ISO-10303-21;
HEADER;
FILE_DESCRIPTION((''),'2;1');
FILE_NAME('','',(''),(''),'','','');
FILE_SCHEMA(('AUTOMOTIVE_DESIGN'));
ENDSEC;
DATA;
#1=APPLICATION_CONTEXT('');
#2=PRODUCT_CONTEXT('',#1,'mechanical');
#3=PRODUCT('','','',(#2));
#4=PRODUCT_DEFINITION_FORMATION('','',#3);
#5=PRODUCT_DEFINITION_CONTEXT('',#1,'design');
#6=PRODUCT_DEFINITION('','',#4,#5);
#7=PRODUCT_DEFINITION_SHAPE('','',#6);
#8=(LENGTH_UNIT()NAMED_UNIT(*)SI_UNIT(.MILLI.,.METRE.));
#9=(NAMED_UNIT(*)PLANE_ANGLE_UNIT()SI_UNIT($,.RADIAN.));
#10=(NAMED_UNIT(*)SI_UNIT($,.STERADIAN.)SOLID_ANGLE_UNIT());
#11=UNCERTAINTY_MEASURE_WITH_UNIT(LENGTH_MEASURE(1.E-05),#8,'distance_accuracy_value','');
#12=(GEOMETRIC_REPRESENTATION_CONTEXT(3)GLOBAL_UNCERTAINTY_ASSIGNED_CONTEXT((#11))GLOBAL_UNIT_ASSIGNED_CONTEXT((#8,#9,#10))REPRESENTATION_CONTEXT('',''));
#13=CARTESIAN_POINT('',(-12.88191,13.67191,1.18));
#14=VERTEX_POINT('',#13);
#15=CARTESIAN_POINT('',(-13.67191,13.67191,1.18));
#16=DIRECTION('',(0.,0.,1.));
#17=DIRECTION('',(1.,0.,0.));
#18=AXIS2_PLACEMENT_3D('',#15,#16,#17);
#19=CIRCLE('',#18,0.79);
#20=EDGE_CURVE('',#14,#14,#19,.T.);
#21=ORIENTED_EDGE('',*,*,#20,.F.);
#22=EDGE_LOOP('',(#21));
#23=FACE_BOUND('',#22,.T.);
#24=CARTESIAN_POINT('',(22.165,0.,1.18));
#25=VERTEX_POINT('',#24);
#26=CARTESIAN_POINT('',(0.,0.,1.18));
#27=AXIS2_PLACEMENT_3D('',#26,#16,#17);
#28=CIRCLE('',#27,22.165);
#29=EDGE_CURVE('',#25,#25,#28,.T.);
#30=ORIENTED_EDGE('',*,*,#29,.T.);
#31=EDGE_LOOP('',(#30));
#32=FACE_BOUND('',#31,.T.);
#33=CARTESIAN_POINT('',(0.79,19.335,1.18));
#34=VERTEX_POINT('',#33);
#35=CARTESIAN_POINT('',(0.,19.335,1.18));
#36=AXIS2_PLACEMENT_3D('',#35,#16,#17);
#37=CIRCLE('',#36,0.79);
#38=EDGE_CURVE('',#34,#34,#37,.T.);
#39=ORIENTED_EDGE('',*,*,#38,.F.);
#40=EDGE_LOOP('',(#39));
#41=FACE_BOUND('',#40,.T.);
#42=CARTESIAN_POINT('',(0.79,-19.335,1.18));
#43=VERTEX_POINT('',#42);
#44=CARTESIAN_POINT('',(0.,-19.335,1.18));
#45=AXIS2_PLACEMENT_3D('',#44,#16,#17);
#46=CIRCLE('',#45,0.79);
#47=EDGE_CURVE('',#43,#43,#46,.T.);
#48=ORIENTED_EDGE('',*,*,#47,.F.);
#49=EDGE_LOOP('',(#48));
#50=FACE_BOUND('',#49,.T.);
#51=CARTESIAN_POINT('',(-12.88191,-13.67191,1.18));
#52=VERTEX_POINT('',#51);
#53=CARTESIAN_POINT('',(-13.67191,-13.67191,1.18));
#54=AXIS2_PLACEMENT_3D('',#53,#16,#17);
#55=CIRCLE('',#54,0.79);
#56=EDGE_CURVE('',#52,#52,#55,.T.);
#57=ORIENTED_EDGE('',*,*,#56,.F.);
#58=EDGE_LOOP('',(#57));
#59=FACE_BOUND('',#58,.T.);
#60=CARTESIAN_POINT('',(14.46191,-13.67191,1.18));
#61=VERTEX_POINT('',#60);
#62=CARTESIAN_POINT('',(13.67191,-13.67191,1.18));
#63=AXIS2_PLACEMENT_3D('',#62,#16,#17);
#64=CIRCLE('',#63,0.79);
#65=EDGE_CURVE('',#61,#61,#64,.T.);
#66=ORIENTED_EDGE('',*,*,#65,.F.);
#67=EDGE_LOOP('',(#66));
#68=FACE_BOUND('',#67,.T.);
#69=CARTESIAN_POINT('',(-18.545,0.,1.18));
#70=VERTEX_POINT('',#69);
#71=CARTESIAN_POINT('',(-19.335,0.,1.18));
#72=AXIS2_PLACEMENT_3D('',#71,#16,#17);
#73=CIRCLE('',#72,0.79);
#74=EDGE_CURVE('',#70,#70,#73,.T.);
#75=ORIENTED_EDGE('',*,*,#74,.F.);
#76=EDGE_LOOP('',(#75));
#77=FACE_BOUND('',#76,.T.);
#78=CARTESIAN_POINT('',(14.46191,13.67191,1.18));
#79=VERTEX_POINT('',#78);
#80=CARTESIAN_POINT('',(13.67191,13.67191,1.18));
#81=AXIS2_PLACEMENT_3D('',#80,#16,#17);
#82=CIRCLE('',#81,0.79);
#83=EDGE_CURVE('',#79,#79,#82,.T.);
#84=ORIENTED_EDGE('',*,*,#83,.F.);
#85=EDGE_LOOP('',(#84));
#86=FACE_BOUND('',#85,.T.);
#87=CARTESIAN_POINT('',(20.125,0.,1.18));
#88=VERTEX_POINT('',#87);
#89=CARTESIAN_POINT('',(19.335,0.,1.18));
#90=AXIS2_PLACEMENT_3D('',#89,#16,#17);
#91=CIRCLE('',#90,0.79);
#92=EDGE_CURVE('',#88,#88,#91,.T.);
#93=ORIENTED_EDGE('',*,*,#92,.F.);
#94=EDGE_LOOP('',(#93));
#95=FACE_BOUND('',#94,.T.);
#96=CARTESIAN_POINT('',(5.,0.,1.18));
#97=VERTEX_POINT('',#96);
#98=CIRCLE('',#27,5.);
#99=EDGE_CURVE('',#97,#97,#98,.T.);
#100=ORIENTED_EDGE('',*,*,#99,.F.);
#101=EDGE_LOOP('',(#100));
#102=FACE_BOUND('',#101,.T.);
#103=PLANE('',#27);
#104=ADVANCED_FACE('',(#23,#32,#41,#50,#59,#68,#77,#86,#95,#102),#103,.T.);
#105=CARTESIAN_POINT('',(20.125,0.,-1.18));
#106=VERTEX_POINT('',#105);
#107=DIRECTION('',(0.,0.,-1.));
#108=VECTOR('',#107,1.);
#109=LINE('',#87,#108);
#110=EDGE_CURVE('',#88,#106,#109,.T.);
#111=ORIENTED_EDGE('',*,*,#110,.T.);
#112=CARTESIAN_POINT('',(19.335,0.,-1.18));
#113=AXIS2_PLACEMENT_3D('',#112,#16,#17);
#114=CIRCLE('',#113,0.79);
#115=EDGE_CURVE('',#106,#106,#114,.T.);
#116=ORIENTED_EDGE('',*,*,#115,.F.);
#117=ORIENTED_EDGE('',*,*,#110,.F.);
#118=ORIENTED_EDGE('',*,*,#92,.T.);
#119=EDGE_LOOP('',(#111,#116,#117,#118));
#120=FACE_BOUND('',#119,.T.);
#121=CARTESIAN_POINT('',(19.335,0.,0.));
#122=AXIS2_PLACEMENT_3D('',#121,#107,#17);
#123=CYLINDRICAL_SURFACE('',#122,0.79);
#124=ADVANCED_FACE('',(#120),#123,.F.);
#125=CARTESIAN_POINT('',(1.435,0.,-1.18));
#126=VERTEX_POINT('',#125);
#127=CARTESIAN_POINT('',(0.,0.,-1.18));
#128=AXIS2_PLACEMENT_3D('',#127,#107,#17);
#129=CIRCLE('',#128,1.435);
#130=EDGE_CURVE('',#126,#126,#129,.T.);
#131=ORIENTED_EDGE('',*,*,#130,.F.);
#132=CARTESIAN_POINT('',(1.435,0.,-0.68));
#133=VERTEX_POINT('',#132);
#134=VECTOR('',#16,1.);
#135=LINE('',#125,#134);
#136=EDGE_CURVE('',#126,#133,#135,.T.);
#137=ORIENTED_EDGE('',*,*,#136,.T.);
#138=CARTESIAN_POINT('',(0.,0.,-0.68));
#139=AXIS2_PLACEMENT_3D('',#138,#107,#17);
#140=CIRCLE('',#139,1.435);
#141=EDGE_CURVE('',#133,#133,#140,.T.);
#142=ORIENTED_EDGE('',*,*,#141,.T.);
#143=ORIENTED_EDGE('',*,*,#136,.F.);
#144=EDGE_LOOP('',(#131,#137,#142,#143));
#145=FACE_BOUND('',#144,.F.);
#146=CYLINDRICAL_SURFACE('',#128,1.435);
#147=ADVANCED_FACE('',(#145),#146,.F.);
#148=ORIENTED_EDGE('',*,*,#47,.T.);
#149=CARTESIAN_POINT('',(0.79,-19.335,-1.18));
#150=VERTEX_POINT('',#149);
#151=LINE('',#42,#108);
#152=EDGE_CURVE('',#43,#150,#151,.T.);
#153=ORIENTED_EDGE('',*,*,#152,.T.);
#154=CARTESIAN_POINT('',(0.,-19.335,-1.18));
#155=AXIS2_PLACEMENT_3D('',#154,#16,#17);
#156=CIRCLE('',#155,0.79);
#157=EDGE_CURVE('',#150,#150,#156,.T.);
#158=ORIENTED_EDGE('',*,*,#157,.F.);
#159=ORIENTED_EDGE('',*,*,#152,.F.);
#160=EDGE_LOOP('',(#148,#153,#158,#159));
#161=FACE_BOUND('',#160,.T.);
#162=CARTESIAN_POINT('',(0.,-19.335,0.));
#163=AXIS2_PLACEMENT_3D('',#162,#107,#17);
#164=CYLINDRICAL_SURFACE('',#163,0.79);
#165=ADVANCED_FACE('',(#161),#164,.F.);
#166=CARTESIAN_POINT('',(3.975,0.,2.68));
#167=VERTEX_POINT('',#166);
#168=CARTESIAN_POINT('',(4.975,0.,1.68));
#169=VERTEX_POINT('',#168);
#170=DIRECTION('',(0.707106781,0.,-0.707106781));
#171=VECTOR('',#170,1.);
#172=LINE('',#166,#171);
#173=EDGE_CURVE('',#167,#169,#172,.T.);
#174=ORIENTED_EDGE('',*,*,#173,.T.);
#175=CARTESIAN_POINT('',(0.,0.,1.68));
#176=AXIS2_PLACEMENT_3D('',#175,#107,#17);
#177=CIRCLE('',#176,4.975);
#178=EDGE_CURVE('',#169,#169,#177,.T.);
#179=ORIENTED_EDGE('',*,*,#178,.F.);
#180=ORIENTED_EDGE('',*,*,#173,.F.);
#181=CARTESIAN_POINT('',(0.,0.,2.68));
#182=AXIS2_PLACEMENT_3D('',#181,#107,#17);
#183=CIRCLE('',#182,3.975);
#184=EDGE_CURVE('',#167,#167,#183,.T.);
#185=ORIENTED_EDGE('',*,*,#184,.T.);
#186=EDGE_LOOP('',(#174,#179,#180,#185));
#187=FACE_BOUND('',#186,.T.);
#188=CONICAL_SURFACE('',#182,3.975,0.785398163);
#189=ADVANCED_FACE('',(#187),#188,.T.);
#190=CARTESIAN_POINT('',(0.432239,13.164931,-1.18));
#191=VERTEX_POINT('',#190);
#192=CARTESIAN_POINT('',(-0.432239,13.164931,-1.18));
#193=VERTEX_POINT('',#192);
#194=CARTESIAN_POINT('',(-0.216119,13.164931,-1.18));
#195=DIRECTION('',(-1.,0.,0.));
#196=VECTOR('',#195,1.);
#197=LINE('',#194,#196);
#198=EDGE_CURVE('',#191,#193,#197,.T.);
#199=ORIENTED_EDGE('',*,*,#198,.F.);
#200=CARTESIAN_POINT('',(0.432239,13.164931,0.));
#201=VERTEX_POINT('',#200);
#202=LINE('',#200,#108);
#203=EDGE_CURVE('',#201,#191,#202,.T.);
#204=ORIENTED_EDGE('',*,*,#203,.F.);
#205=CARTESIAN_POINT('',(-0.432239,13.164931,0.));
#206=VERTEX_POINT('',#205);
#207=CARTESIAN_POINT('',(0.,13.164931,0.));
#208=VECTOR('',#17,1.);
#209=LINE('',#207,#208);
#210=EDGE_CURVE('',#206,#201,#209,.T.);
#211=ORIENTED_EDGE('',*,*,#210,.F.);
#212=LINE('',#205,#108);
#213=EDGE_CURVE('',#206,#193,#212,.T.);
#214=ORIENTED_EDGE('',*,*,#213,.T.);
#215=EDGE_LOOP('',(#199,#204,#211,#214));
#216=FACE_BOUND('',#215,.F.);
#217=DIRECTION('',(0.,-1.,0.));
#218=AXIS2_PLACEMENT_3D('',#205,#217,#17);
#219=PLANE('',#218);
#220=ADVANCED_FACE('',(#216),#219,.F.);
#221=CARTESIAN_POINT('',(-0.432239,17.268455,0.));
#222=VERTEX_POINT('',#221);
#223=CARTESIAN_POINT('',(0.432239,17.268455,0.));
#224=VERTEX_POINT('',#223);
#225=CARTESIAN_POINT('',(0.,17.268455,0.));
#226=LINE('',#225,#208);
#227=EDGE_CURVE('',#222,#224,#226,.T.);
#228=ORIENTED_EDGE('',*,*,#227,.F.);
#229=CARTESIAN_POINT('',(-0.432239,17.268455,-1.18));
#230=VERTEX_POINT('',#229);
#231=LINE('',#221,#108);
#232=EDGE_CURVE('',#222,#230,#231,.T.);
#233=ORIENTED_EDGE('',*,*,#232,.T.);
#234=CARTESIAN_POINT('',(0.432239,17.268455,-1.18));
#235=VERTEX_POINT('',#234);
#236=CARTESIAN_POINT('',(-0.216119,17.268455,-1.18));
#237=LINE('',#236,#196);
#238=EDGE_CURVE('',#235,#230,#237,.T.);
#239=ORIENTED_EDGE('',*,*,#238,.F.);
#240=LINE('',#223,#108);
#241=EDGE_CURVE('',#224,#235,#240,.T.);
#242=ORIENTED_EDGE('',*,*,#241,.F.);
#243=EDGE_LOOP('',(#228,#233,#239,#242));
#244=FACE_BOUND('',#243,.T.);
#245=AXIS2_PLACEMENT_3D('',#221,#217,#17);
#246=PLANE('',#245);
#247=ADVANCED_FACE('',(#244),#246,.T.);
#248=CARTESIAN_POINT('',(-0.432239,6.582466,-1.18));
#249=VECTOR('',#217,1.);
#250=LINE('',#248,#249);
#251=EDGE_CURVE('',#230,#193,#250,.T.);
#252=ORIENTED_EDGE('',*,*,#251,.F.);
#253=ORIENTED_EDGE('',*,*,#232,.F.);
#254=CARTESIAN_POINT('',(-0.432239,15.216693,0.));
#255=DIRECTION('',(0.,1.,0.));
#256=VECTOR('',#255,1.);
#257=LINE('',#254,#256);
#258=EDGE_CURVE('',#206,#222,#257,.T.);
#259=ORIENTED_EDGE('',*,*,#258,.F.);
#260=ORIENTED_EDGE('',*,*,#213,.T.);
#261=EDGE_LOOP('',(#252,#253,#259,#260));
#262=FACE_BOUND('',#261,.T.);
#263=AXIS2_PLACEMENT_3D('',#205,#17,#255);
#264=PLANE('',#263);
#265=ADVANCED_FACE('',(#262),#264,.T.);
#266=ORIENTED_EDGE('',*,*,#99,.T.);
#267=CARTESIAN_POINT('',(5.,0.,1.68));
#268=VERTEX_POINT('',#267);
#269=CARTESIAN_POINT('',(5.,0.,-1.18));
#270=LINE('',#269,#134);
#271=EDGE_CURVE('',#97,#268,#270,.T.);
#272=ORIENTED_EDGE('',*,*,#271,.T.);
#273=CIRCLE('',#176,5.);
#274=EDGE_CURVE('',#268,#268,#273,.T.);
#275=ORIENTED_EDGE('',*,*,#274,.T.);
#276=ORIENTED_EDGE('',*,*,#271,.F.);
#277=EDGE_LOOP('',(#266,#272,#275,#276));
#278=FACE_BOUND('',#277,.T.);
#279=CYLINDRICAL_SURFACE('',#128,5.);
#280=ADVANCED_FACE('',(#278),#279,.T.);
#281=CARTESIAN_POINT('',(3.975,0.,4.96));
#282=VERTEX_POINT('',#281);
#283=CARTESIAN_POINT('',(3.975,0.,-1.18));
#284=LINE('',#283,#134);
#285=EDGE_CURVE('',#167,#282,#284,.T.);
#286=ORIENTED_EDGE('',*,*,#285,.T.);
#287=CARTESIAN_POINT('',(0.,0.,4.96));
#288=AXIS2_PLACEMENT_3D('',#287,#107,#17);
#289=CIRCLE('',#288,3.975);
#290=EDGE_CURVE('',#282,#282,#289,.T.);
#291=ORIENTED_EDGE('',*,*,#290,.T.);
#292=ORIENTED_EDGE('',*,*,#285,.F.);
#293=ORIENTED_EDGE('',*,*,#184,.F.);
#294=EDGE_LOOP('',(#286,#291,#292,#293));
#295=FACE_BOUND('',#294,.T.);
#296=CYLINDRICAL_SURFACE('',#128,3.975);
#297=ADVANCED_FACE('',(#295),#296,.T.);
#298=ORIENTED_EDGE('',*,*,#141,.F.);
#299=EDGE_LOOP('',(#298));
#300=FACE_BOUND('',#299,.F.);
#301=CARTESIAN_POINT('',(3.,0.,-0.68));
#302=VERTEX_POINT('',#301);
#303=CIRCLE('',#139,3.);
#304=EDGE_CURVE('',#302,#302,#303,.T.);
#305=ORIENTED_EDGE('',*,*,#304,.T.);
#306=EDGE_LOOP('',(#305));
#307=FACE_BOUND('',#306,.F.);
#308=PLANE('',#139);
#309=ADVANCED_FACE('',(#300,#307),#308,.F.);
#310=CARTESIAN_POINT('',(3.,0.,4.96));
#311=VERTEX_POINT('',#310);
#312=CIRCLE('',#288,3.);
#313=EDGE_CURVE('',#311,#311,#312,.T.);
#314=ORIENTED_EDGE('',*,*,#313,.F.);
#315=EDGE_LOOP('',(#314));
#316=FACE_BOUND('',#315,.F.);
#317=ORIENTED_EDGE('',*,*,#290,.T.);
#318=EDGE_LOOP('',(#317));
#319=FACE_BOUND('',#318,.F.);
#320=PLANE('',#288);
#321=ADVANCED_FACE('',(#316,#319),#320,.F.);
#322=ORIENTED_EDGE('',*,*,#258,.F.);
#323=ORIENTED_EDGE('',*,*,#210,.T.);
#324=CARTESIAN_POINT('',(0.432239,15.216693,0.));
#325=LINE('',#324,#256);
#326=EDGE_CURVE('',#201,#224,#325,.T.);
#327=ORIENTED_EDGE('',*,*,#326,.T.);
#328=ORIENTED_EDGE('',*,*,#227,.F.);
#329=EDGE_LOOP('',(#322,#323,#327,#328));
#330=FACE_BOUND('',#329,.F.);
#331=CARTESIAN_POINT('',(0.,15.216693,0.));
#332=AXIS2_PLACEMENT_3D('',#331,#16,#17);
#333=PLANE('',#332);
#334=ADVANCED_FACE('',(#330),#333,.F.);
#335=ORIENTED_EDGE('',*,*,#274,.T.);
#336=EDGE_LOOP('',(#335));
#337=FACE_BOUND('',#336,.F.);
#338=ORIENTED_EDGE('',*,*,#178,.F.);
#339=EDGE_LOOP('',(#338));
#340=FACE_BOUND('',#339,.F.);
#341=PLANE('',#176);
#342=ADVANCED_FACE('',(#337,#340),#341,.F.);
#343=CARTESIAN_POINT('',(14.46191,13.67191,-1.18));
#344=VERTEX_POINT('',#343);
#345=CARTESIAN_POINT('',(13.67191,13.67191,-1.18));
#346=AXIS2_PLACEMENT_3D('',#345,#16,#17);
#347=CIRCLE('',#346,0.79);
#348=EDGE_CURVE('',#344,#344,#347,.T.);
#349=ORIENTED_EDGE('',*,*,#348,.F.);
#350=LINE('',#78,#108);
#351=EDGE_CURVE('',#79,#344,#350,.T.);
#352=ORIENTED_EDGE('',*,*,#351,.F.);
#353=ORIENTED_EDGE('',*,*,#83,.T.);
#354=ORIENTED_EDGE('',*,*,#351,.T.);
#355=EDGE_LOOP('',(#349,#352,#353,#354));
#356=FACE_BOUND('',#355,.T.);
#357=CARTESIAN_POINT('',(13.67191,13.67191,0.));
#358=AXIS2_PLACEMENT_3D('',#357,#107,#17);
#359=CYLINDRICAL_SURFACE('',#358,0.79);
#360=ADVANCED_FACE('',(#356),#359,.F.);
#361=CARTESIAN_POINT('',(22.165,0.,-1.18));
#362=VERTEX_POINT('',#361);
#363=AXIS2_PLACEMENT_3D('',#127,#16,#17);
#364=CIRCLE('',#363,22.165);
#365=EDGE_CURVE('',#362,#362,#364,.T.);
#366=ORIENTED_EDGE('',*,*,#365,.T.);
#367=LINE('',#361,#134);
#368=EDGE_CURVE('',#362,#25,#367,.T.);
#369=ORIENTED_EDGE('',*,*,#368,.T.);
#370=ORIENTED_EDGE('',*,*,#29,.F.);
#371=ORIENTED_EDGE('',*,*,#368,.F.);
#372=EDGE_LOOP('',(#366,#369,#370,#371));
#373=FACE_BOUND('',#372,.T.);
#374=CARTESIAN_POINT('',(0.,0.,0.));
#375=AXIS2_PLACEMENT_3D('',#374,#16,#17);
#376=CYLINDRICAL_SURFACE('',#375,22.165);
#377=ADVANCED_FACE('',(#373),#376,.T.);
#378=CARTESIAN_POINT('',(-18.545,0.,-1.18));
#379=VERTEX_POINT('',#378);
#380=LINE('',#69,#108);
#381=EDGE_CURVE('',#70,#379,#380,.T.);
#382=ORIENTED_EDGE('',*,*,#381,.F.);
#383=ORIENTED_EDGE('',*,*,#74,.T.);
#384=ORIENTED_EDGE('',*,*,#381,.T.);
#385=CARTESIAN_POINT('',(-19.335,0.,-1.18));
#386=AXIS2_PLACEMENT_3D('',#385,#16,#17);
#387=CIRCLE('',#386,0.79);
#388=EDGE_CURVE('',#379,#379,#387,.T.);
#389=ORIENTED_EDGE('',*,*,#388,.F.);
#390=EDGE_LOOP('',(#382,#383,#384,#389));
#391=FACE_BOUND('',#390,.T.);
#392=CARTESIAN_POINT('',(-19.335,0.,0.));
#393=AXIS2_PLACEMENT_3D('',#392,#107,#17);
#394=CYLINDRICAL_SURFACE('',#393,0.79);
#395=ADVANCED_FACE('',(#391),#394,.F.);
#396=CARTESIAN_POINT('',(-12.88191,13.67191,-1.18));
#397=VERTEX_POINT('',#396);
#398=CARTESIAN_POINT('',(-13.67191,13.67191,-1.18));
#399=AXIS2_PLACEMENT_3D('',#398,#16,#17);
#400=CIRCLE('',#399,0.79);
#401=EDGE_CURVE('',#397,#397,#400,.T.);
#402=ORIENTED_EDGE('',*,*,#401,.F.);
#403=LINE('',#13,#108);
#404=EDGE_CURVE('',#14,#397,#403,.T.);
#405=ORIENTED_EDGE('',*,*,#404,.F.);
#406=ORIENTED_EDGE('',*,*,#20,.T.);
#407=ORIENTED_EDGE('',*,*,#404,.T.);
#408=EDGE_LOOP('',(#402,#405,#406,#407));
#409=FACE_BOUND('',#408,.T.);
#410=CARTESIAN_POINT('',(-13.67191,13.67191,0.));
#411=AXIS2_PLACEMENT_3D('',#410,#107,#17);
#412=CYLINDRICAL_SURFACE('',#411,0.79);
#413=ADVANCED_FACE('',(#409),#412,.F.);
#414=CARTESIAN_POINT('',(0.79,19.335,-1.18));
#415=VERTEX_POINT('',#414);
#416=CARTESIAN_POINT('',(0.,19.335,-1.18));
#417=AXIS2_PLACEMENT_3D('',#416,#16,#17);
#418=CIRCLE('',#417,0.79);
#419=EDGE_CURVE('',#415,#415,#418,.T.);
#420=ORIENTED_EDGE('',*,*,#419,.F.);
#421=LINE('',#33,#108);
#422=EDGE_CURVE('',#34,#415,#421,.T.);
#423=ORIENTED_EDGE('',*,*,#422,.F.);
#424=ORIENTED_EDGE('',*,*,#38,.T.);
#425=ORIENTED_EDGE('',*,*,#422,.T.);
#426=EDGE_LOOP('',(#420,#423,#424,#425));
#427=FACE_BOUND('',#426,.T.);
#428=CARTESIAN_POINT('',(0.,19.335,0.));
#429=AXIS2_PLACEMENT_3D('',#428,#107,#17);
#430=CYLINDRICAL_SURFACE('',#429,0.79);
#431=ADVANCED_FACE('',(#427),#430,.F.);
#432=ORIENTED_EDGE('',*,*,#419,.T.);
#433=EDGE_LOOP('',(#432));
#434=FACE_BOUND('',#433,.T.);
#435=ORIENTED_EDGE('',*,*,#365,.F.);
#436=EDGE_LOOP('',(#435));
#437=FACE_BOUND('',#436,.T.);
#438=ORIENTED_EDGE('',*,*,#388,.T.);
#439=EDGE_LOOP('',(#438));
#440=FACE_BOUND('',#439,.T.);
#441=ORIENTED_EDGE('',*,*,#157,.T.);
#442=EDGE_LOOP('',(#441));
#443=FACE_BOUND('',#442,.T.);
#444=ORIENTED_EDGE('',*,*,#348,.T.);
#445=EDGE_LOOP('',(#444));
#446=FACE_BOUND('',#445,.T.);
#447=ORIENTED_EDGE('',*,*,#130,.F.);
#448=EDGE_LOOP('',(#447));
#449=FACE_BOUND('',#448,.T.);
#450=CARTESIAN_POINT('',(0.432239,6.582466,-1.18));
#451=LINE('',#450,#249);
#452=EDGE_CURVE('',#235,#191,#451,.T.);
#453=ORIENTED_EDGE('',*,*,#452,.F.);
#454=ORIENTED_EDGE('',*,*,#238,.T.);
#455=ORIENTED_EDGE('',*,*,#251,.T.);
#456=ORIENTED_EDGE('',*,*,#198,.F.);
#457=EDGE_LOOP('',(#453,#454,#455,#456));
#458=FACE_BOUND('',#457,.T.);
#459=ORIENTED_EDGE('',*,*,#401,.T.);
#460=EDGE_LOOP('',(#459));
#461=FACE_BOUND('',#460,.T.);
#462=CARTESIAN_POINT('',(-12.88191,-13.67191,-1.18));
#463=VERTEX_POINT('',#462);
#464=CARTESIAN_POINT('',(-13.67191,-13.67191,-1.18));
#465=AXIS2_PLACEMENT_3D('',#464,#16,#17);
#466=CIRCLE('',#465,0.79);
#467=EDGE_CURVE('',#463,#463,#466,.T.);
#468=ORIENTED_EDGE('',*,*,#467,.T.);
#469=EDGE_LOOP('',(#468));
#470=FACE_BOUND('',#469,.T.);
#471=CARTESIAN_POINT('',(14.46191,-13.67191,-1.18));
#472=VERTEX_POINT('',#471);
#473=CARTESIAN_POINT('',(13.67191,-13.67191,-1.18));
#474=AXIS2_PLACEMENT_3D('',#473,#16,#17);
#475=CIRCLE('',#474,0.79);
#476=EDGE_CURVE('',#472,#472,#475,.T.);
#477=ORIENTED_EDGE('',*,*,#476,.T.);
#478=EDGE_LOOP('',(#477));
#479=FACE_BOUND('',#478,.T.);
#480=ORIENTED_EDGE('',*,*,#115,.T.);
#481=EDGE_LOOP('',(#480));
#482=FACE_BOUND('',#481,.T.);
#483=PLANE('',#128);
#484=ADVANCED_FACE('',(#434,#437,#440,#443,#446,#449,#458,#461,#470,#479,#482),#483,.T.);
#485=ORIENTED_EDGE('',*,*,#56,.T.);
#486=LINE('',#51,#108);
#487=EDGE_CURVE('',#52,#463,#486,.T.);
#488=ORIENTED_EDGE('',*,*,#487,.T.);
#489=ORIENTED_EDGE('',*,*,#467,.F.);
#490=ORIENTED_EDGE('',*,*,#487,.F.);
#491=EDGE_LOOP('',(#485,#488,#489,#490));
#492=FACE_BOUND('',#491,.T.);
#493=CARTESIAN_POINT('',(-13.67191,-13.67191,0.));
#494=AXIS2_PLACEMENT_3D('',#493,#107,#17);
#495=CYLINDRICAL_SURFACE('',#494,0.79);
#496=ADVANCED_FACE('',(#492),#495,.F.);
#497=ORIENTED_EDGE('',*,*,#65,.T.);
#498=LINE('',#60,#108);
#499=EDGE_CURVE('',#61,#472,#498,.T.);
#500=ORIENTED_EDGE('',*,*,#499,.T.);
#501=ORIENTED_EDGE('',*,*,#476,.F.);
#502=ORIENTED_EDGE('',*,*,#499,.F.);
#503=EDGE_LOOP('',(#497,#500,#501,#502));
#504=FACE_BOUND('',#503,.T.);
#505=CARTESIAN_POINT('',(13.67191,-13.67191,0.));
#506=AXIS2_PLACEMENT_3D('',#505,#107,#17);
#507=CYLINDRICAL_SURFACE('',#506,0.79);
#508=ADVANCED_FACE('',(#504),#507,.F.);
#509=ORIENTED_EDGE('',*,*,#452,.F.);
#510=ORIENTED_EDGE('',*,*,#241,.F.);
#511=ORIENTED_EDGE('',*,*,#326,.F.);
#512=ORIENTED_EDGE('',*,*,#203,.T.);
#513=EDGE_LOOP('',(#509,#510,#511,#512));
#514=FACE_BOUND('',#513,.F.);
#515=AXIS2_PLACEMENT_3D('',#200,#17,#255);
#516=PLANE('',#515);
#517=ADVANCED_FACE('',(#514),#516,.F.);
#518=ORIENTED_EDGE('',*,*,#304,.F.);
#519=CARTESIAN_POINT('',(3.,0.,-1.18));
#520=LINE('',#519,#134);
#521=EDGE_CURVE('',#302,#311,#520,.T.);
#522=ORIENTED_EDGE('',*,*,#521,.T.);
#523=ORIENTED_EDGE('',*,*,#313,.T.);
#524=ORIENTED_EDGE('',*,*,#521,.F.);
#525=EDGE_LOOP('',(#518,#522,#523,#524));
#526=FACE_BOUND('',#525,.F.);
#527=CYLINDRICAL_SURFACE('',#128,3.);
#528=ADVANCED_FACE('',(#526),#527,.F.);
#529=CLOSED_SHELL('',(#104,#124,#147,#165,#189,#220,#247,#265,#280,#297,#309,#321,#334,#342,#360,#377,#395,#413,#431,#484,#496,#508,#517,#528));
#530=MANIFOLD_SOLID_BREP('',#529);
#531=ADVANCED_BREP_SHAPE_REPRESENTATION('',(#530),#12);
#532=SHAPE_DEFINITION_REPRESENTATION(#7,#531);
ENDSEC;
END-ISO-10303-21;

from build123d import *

# Parameters (mm, degrees)
F0_R     = 22.165
F0_R_2   = 0.79
F0_R_3   = 5
F0_W     = 0.864478
F0_H     = 4.103523
F1_DEPTH = 1.18
F2_R     = 5
F2_R_2   = 3.975
F3_DEPTH = 2.86
F2_R_3   = 3
F4_DEPTH = 6.14
F2_R_4   = 1.435
F5_DEPTH = 0.5
F6_SIZE  = 1
F7_DEPTH = 25


with BuildPart() as f1:
    # F0 (on Top) → F1 (new body, symmetric)
    with BuildSketch(Plane.XY):
        Circle(F0_R)
        with Locations((-13.67191, -13.67191)):
            Circle(F0_R_2, mode=Mode.SUBTRACT)
        with Locations((0, -19.335)):
            Circle(F0_R_2, mode=Mode.SUBTRACT)
        with Locations((13.67191, -13.67191)):
            Circle(F0_R_2, mode=Mode.SUBTRACT)
        with Locations((-19.335, 0)):
            Circle(F0_R_2, mode=Mode.SUBTRACT)
        with Locations((-13.67191, 13.67191)):
            Circle(F0_R_2, mode=Mode.SUBTRACT)
        Circle(F0_R_3, mode=Mode.SUBTRACT)
        with Locations((19.335, 0)):
            Circle(F0_R_2, mode=Mode.SUBTRACT)
        with Locations((0, 15.216693)):
            Rectangle(F0_W, F0_H, mode=Mode.SUBTRACT)
        with Locations((0, 19.335)):
            Circle(F0_R_2, mode=Mode.SUBTRACT)
        with Locations((13.67191, 13.67191)):
            Circle(F0_R_2, mode=Mode.SUBTRACT)
        with Locations((0, 15.216693)):
            Rectangle(F0_W, F0_H)
    extrude(amount=F1_DEPTH, both=True)

    # F2 (on face) → F3 (join)
    with BuildSketch(Plane(origin=(0, 0, -1.18), x_dir=(1, 0, 0), z_dir=(0, 0, -1))):
        Circle(F2_R)
        Circle(F2_R_2, mode=Mode.SUBTRACT)
    extrude(amount=-F3_DEPTH)

    # F2 (on face) → F4 (join)
    with BuildSketch(Plane(origin=(0, 0, -1.18), x_dir=(1, 0, 0), z_dir=(0, 0, -1))):
        Circle(F2_R_2)
        Circle(F2_R_3, mode=Mode.SUBTRACT)
    extrude(amount=-F4_DEPTH)

    # F2 (on face) → F5 (join)
    with BuildSketch(Plane(origin=(0, 0, -1.18), x_dir=(1, 0, 0), z_dir=(0, 0, -1))):
        Circle(F2_R_3)
        Circle(F2_R_4, mode=Mode.SUBTRACT)
    extrude(amount=-F5_DEPTH)

    # F6
    f6_edges = [f1.edges().sort_by_distance(p)[0] for p in [
        (-3.975, 0, 1.68),
    ]]
    chamfer(f6_edges, length=F6_SIZE)

    # F0 (on Top) → F7 (cut)
    with BuildSketch(Plane.XY):
        with Locations((0, 15.216693)):
            Rectangle(F0_W, F0_H)
    extrude(amount=-F7_DEPTH, mode=Mode.SUBTRACT)


solid = f1.part
